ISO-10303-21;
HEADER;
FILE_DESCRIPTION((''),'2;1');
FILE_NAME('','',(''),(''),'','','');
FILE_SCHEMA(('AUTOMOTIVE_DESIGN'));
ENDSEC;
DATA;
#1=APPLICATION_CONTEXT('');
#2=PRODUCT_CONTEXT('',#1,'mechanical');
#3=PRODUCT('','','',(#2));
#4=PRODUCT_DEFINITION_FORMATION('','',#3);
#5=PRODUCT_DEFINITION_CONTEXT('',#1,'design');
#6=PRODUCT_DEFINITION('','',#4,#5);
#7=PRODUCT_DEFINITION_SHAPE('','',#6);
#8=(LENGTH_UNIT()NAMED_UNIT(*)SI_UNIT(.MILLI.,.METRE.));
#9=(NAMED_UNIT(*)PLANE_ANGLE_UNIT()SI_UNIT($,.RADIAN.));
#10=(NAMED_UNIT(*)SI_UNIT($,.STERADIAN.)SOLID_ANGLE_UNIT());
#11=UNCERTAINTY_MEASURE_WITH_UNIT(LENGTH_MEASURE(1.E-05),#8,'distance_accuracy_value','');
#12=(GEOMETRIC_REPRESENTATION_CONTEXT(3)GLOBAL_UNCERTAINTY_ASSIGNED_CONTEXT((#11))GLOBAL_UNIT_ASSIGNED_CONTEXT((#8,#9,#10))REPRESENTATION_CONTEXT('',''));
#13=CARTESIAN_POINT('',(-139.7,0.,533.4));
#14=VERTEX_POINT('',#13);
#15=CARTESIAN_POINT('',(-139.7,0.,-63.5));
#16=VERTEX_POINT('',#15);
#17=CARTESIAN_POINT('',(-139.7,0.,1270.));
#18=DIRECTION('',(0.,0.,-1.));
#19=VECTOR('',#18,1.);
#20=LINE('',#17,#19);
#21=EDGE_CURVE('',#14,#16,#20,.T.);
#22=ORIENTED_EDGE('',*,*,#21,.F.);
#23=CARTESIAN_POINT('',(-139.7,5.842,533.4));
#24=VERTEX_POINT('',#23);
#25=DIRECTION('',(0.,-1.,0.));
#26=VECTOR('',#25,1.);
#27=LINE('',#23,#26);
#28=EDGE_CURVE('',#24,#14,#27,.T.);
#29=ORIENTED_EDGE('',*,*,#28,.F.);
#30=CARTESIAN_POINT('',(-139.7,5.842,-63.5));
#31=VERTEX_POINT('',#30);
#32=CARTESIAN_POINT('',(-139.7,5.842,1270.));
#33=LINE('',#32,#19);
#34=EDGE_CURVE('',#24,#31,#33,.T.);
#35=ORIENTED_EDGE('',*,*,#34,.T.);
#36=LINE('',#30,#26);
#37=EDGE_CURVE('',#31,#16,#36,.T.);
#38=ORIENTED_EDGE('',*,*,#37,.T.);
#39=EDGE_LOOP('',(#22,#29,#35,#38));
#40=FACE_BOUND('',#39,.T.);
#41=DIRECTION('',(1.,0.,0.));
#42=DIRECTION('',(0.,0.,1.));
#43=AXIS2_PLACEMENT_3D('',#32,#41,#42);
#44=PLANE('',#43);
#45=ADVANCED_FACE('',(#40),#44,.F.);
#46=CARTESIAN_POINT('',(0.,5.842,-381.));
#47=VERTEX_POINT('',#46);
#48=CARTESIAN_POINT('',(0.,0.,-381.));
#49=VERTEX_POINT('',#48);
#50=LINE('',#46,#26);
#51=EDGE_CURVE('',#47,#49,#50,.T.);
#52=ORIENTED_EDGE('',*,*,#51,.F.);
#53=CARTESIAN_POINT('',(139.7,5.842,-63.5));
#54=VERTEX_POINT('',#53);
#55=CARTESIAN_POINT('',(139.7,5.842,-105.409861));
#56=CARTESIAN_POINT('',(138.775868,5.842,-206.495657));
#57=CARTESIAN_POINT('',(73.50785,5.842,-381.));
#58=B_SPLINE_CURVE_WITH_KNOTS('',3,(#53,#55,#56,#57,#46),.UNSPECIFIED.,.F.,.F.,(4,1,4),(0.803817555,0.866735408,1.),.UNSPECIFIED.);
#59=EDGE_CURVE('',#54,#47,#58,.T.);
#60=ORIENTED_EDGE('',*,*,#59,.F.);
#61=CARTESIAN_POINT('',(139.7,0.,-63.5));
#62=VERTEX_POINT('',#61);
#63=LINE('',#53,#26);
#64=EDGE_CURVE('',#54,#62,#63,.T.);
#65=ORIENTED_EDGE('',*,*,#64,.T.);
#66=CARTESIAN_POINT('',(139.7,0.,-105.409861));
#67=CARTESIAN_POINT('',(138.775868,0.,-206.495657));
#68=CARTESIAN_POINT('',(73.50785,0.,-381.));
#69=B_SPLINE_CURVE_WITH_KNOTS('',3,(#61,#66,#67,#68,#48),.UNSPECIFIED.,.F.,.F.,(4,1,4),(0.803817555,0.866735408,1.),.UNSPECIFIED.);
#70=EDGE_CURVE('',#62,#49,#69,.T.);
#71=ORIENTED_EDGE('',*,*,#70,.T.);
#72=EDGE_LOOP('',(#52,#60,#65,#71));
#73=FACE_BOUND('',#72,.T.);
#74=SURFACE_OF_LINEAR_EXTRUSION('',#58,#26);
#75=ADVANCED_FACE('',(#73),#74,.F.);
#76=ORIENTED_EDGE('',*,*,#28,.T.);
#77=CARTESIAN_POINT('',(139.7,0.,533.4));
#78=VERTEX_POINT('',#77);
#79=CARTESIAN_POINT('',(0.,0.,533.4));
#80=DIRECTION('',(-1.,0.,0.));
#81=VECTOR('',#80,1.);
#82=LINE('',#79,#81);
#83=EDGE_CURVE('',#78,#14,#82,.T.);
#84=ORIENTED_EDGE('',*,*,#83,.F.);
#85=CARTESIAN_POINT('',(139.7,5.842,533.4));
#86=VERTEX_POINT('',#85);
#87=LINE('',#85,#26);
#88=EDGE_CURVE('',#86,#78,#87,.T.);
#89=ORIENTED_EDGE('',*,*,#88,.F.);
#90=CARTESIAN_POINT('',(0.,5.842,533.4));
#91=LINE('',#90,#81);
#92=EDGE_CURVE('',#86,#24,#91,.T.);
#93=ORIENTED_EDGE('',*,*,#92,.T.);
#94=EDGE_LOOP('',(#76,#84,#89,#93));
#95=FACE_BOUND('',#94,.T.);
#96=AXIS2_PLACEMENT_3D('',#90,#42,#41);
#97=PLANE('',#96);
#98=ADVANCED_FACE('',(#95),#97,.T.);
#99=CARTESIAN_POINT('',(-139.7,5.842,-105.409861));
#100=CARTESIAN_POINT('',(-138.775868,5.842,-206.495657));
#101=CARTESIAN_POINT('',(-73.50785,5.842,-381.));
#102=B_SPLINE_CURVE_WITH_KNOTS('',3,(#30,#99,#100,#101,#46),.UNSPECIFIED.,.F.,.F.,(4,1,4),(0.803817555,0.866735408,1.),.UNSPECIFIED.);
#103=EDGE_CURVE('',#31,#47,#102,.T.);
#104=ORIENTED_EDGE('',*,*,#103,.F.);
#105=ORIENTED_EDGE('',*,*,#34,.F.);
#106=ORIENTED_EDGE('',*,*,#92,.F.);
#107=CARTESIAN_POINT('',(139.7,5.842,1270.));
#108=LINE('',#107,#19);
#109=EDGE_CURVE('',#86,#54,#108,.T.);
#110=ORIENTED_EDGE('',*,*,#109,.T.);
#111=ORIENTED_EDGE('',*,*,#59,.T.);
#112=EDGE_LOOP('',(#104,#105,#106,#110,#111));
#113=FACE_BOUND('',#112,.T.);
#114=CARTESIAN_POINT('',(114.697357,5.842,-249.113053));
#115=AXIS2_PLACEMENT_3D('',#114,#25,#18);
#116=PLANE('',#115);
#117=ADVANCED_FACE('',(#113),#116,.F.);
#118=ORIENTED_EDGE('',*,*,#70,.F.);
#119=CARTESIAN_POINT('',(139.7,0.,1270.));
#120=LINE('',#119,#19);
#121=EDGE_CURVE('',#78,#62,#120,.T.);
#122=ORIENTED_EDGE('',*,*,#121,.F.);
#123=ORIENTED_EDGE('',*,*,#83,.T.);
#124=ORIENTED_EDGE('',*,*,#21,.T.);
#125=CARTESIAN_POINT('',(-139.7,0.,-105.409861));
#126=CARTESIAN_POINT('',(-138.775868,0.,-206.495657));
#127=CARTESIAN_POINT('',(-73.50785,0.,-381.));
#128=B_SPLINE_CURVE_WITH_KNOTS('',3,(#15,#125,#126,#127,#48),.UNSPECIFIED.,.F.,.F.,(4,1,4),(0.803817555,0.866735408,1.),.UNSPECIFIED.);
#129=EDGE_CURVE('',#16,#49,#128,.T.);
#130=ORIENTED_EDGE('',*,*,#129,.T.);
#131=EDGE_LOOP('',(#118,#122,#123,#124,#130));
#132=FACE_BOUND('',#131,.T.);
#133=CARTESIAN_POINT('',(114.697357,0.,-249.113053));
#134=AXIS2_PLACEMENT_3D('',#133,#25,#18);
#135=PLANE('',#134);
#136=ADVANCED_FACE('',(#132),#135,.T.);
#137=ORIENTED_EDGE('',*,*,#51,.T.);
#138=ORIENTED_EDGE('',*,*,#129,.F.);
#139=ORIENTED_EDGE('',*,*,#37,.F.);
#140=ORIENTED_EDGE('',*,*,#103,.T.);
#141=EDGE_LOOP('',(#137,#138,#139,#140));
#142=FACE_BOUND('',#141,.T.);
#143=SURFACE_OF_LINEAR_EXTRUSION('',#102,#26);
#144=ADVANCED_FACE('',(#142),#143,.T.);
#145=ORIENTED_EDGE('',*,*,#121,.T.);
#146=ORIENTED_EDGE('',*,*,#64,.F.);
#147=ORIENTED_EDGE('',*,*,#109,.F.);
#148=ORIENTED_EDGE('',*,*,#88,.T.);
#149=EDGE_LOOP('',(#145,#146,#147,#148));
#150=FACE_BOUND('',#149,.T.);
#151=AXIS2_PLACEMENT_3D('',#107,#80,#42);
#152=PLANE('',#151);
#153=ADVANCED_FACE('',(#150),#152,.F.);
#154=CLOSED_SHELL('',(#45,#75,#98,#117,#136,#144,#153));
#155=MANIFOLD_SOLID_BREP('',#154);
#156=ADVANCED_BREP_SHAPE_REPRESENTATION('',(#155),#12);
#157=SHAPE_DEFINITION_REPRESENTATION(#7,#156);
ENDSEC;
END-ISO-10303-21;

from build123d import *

# Parameters (mm, degrees)
BOSS_EXTRUDE1_DEPTH = 5.842
SKETCH4_W           = 139.7
SKETCH4_H           = 927.1
CUT_EXTRUDE1_DEPTH  = 1468.177722461


with BuildPart() as part:
    # Sketch3 → Boss-Extrude1 (new body)
    with BuildSketch(Plane(origin=(0, 0, 0), x_dir=(1, 0, 0), z_dir=(0, 1, 0))):
        with BuildLine():
            Line((0, 381), (0, -1460.5))
            add(Edge.make_bspline(
                [(0, -1460.5), (108.684994241, -1460.5), (137.201191705, -1361.385263755), (139.7, -1312.037784968), (139.7, -1270)],
                knots=[0, 0, 0, 0, 0.140310505, 0.200610012, 0.200610012, 0.200610012, 0.200610012], degree=3))
            Line((139.7, -1270), (139.7, 63.5))
            add(Edge.make_bspline(
                [(139.7, 63.5), (139.7, 105.409860509), (138.775867716, 206.495657368), (73.507849515, 381), (0, 381)],
                knots=[0.803817555, 0.803817555, 0.803817555, 0.803817555, 0.866735408, 1, 1, 1, 1], degree=3))
        make_face()
    extrude(amount=BOSS_EXTRUDE1_DEPTH)

    # Sketch4 → Cut-Extrude1 (cut, through all)
    with BuildSketch(Plane(origin=(0, 0, 0), x_dir=(1, 0, 0), z_dir=(0, 1, 0))):
        with Locations((69.85, -996.95)):
            Rectangle(SKETCH4_W, SKETCH4_H)
    extrude(amount=CUT_EXTRUDE1_DEPTH, mode=Mode.SUBTRACT)

    # Mirror1: part across plane


with BuildPart() as part_1:
    add(part.part)
    add(part.part.mirror(Plane(origin=(0, 0, 0), x_dir=(0, 0, 1), z_dir=(1, 0, 0))))


solid = part_1.part
